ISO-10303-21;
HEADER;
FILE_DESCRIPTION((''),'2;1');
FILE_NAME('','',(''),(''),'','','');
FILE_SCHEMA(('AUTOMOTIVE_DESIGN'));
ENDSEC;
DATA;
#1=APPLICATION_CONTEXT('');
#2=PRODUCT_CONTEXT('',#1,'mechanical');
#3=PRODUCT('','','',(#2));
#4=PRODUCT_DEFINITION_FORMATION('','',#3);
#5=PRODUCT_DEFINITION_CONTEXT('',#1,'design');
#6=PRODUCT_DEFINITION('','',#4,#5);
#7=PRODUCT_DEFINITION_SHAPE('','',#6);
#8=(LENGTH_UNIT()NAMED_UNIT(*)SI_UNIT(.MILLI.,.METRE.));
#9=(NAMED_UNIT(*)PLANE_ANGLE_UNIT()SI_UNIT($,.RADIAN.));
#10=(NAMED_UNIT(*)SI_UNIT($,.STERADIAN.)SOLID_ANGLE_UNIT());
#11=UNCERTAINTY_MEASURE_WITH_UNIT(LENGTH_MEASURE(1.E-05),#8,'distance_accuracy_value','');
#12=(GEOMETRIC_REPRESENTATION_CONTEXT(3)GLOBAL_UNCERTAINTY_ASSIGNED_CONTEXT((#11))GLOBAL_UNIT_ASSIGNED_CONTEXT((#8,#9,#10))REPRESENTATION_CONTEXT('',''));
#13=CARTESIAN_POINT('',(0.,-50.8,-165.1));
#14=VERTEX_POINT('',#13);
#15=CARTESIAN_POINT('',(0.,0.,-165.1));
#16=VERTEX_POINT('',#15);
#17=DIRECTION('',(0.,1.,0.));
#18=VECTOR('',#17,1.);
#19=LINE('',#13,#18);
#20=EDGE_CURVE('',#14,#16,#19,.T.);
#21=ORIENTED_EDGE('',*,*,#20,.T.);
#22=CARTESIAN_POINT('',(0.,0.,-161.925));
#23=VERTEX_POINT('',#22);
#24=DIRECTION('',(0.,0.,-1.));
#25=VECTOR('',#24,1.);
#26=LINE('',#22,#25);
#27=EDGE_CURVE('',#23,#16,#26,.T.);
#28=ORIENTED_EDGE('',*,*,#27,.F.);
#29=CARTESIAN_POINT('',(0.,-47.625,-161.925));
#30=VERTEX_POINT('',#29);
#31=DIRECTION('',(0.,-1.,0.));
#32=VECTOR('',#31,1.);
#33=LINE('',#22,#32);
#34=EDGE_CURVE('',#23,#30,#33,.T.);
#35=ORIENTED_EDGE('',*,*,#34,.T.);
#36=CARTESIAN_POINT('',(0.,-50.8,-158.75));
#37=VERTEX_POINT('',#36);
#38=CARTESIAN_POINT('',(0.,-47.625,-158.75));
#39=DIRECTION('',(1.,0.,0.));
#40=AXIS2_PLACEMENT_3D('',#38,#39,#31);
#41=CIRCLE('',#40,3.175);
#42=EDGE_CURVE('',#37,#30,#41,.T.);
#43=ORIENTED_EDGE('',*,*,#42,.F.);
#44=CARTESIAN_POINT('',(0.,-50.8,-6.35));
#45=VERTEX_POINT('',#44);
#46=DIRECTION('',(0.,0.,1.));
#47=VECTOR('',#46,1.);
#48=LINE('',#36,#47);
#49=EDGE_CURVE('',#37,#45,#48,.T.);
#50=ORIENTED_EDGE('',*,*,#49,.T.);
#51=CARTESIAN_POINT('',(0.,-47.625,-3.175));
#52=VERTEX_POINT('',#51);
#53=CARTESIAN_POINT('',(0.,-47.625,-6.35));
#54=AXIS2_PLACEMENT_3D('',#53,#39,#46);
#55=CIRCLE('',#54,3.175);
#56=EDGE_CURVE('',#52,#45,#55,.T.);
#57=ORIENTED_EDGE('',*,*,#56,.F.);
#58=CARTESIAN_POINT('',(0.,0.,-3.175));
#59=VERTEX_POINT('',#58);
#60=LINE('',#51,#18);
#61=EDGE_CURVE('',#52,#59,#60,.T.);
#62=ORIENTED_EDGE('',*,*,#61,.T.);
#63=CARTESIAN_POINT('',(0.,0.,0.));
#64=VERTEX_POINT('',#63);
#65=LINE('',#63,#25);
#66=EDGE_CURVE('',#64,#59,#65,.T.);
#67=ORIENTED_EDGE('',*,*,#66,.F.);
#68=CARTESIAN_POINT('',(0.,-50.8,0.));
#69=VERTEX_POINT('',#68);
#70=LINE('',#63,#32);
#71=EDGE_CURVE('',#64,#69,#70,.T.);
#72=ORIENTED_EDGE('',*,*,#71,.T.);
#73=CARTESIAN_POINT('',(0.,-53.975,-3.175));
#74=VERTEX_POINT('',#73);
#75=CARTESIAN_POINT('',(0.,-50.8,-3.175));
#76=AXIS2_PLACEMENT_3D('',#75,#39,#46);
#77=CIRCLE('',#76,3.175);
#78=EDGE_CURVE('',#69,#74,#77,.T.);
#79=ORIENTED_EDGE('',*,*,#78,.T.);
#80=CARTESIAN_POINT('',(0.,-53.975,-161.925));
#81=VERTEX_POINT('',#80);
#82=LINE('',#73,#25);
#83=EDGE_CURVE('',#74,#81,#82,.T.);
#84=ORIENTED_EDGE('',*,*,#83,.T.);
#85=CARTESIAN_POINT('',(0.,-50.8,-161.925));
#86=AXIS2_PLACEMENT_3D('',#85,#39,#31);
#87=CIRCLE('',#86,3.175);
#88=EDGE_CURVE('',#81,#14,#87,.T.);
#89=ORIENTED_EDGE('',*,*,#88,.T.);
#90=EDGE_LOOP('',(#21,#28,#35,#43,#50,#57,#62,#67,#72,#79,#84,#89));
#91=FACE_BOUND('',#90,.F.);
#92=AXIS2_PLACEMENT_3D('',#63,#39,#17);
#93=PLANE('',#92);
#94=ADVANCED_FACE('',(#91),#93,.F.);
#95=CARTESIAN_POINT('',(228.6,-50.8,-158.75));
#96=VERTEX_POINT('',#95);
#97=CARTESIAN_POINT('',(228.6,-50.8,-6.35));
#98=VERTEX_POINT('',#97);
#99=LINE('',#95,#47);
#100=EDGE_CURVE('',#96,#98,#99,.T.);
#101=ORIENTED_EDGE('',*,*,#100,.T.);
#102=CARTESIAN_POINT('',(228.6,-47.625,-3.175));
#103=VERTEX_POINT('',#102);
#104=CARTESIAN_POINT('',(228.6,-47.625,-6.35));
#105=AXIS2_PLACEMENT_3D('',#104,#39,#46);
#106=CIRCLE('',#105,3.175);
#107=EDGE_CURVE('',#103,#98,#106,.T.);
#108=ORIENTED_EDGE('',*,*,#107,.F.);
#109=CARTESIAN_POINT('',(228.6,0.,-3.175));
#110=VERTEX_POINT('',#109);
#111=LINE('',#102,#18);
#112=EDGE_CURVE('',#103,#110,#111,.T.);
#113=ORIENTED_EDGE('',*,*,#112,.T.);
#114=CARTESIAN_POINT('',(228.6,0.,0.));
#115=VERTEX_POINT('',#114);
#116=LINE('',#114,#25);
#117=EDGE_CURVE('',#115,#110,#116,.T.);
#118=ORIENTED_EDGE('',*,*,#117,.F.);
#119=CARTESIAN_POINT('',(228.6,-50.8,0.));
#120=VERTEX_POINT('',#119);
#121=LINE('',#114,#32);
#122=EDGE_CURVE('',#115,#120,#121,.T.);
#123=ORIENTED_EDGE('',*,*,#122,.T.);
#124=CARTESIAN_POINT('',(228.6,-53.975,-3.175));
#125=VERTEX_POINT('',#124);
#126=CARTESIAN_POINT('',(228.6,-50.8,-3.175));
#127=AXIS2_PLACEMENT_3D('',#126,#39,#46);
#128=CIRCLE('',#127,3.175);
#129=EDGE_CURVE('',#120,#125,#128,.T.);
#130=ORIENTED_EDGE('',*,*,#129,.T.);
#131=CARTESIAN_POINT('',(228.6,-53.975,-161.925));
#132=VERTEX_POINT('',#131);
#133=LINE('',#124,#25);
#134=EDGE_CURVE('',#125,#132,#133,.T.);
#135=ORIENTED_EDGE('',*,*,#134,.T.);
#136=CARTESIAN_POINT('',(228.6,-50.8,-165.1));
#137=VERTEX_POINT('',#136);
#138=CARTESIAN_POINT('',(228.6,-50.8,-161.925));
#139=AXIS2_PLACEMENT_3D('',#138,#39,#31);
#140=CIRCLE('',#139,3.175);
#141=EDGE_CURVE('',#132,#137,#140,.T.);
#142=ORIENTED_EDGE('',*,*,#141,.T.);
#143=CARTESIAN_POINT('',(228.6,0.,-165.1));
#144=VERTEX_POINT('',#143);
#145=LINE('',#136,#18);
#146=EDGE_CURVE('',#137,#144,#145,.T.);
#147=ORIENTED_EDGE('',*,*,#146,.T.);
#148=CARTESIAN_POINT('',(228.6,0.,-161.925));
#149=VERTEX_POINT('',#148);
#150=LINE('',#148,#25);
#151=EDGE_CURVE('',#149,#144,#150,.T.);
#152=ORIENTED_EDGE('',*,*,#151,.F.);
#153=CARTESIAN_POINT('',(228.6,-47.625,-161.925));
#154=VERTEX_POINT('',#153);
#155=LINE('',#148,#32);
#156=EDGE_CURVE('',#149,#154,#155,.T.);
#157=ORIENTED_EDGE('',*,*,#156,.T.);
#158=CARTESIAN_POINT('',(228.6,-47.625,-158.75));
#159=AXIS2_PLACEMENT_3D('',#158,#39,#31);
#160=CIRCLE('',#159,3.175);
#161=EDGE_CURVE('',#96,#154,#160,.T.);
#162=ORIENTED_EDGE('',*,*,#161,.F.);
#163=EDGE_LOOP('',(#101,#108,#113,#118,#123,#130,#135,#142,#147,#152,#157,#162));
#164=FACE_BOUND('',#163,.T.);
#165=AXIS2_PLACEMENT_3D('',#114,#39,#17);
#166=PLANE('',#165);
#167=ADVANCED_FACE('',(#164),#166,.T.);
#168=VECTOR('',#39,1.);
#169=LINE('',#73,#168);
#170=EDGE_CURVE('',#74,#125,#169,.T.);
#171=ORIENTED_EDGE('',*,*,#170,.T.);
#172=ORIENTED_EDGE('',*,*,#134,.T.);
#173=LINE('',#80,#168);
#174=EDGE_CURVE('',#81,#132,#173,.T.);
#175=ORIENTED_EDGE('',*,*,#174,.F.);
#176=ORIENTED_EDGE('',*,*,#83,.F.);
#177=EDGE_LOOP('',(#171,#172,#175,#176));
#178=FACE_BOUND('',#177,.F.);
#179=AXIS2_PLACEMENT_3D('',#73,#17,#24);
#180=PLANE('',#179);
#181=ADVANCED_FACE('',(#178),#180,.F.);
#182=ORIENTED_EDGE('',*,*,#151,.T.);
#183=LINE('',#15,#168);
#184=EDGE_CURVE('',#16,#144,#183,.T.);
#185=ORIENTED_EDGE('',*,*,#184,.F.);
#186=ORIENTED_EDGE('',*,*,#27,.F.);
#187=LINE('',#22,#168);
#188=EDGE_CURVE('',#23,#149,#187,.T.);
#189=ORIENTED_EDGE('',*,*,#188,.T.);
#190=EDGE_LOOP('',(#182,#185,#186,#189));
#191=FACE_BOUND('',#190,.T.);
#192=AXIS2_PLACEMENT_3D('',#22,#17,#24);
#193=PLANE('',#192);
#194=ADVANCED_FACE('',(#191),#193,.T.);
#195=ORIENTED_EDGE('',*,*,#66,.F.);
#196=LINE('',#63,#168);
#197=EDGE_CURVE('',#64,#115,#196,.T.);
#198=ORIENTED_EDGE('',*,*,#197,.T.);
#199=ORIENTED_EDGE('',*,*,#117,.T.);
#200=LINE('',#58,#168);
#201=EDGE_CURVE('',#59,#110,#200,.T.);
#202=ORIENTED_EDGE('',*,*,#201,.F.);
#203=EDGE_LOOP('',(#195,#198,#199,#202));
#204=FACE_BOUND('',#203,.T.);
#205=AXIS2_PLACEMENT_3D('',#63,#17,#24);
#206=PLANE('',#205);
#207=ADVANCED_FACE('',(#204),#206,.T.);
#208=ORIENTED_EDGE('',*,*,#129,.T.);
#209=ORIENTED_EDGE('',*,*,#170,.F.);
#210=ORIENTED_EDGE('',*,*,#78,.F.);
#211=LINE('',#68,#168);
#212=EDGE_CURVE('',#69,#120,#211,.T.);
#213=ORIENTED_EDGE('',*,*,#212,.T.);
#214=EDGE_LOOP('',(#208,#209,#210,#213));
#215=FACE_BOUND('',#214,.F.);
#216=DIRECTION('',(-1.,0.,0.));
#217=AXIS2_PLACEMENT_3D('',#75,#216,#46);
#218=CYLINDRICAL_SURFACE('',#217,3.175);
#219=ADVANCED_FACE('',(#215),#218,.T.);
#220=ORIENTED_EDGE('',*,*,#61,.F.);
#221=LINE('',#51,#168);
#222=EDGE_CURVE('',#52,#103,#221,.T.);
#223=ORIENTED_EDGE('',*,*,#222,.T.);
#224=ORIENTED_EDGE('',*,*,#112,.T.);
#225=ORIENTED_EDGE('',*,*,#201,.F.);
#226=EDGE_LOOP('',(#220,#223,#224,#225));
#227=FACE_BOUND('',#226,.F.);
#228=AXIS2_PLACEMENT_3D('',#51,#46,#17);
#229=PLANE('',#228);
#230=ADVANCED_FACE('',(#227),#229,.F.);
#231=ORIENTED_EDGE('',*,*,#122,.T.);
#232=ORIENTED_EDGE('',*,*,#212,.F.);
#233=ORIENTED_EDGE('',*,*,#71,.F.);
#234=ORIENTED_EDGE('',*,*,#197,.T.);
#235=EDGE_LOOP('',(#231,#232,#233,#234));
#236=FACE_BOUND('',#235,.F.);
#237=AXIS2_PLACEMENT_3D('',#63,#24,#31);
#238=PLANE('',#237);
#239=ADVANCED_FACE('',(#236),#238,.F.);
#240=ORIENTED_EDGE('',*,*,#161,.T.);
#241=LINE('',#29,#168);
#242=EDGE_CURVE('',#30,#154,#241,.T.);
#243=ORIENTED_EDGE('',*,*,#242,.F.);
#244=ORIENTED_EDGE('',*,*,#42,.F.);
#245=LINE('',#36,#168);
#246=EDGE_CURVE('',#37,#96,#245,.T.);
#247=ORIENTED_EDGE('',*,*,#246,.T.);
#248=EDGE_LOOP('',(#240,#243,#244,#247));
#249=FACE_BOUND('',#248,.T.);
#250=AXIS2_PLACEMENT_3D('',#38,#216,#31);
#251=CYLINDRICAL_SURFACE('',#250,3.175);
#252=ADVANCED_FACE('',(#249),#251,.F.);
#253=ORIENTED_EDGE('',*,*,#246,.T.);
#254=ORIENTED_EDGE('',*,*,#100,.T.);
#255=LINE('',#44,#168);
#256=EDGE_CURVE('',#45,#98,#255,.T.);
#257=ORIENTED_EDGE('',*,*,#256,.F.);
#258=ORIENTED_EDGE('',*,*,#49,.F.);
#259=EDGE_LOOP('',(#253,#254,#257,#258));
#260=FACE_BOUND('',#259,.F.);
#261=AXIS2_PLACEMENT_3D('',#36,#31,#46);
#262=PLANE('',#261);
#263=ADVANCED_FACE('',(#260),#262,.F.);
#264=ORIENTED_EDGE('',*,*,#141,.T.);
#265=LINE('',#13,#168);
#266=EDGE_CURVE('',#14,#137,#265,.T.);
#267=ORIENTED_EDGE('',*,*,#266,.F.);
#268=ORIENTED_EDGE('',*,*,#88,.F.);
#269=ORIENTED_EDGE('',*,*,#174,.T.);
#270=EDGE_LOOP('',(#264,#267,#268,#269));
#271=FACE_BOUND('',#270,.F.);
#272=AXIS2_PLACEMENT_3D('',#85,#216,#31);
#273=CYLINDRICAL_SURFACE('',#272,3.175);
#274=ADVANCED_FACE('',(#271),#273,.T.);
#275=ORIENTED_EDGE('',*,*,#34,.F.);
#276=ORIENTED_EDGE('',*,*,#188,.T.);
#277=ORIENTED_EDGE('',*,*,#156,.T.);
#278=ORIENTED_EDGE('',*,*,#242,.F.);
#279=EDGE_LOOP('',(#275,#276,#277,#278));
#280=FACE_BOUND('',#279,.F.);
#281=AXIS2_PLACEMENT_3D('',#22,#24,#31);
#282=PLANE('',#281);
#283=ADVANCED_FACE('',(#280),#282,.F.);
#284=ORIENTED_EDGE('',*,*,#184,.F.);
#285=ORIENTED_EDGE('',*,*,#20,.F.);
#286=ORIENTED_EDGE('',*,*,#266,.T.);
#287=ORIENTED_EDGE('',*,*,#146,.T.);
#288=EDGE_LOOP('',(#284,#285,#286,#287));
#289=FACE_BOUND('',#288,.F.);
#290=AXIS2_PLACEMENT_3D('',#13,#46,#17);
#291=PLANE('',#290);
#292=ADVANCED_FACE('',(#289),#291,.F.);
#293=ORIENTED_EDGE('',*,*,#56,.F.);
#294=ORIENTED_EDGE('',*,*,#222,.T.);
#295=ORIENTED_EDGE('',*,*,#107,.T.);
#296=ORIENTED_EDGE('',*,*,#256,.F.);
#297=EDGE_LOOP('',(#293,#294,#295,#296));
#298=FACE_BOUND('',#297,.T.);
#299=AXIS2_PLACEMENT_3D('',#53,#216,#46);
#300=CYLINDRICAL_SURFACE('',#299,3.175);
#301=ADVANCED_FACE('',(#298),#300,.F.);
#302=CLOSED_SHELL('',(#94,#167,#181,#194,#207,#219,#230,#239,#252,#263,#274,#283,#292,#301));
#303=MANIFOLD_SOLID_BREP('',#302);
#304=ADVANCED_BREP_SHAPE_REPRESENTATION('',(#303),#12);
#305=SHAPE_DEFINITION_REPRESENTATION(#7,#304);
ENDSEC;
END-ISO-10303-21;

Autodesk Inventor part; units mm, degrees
ref_plane "YZ Plane" through (0, 0, 0) normal (1, 0, 0) x (0, 1, 0)
ref_plane "XZ Plane" through (0, 0, 0) normal (0, 1, 0) x (-1, 0, 0)
ref_plane "XY Plane" through (0, 0, 0) normal (0, 0, 1) x (1, 0, 0)
sketch "Sketch1" plane through (0, 0, 0) normal (1, 0, 0) x (0, 1, 0)
  line L0 (0, 0) -> (-50.8, 0)
  line L1 (-53.975, -3.175) -> (-53.975, -161.925)
  line L2 (-50.8, -165.1) -> (0, -165.1)
  line L3 (0, -161.925) -> (-47.625, -161.925)
  line L4 (-50.8, -158.75) -> (-50.8, -6.35)
  line L5 (-47.625, -3.175) -> (0, -3.175)
  line L6 (0, 0) -> (0, -3.175)
  line L7 (0, -161.925) -> (0, -165.1)
  arc A0 (-50.8, 0) -> (-53.975, -3.175) centre (-50.8, -3.175) ccw
  arc A1 (-53.975, -161.925) -> (-50.8, -165.1) centre (-50.8, -161.925) ccw
  arc A2 (-47.625, -3.175) -> (-50.8, -6.35) centre (-47.625, -6.35) ccw
  arc A3 (-50.8, -158.75) -> (-47.625, -161.925) centre (-47.625, -158.75) ccw
  point P0 (-50.8, -161.925)
  point P1 (-50.8, -3.175)
  dimension "d3" = 3.175
  dimension "d4" = 50.8
  dimension "d5" = 158.75
  dimension "d6" = 3.175
extrude "Extrusion1" add sketch "Sketch1" along normal blind 228.6
properties part number "improved lift c chanel"
